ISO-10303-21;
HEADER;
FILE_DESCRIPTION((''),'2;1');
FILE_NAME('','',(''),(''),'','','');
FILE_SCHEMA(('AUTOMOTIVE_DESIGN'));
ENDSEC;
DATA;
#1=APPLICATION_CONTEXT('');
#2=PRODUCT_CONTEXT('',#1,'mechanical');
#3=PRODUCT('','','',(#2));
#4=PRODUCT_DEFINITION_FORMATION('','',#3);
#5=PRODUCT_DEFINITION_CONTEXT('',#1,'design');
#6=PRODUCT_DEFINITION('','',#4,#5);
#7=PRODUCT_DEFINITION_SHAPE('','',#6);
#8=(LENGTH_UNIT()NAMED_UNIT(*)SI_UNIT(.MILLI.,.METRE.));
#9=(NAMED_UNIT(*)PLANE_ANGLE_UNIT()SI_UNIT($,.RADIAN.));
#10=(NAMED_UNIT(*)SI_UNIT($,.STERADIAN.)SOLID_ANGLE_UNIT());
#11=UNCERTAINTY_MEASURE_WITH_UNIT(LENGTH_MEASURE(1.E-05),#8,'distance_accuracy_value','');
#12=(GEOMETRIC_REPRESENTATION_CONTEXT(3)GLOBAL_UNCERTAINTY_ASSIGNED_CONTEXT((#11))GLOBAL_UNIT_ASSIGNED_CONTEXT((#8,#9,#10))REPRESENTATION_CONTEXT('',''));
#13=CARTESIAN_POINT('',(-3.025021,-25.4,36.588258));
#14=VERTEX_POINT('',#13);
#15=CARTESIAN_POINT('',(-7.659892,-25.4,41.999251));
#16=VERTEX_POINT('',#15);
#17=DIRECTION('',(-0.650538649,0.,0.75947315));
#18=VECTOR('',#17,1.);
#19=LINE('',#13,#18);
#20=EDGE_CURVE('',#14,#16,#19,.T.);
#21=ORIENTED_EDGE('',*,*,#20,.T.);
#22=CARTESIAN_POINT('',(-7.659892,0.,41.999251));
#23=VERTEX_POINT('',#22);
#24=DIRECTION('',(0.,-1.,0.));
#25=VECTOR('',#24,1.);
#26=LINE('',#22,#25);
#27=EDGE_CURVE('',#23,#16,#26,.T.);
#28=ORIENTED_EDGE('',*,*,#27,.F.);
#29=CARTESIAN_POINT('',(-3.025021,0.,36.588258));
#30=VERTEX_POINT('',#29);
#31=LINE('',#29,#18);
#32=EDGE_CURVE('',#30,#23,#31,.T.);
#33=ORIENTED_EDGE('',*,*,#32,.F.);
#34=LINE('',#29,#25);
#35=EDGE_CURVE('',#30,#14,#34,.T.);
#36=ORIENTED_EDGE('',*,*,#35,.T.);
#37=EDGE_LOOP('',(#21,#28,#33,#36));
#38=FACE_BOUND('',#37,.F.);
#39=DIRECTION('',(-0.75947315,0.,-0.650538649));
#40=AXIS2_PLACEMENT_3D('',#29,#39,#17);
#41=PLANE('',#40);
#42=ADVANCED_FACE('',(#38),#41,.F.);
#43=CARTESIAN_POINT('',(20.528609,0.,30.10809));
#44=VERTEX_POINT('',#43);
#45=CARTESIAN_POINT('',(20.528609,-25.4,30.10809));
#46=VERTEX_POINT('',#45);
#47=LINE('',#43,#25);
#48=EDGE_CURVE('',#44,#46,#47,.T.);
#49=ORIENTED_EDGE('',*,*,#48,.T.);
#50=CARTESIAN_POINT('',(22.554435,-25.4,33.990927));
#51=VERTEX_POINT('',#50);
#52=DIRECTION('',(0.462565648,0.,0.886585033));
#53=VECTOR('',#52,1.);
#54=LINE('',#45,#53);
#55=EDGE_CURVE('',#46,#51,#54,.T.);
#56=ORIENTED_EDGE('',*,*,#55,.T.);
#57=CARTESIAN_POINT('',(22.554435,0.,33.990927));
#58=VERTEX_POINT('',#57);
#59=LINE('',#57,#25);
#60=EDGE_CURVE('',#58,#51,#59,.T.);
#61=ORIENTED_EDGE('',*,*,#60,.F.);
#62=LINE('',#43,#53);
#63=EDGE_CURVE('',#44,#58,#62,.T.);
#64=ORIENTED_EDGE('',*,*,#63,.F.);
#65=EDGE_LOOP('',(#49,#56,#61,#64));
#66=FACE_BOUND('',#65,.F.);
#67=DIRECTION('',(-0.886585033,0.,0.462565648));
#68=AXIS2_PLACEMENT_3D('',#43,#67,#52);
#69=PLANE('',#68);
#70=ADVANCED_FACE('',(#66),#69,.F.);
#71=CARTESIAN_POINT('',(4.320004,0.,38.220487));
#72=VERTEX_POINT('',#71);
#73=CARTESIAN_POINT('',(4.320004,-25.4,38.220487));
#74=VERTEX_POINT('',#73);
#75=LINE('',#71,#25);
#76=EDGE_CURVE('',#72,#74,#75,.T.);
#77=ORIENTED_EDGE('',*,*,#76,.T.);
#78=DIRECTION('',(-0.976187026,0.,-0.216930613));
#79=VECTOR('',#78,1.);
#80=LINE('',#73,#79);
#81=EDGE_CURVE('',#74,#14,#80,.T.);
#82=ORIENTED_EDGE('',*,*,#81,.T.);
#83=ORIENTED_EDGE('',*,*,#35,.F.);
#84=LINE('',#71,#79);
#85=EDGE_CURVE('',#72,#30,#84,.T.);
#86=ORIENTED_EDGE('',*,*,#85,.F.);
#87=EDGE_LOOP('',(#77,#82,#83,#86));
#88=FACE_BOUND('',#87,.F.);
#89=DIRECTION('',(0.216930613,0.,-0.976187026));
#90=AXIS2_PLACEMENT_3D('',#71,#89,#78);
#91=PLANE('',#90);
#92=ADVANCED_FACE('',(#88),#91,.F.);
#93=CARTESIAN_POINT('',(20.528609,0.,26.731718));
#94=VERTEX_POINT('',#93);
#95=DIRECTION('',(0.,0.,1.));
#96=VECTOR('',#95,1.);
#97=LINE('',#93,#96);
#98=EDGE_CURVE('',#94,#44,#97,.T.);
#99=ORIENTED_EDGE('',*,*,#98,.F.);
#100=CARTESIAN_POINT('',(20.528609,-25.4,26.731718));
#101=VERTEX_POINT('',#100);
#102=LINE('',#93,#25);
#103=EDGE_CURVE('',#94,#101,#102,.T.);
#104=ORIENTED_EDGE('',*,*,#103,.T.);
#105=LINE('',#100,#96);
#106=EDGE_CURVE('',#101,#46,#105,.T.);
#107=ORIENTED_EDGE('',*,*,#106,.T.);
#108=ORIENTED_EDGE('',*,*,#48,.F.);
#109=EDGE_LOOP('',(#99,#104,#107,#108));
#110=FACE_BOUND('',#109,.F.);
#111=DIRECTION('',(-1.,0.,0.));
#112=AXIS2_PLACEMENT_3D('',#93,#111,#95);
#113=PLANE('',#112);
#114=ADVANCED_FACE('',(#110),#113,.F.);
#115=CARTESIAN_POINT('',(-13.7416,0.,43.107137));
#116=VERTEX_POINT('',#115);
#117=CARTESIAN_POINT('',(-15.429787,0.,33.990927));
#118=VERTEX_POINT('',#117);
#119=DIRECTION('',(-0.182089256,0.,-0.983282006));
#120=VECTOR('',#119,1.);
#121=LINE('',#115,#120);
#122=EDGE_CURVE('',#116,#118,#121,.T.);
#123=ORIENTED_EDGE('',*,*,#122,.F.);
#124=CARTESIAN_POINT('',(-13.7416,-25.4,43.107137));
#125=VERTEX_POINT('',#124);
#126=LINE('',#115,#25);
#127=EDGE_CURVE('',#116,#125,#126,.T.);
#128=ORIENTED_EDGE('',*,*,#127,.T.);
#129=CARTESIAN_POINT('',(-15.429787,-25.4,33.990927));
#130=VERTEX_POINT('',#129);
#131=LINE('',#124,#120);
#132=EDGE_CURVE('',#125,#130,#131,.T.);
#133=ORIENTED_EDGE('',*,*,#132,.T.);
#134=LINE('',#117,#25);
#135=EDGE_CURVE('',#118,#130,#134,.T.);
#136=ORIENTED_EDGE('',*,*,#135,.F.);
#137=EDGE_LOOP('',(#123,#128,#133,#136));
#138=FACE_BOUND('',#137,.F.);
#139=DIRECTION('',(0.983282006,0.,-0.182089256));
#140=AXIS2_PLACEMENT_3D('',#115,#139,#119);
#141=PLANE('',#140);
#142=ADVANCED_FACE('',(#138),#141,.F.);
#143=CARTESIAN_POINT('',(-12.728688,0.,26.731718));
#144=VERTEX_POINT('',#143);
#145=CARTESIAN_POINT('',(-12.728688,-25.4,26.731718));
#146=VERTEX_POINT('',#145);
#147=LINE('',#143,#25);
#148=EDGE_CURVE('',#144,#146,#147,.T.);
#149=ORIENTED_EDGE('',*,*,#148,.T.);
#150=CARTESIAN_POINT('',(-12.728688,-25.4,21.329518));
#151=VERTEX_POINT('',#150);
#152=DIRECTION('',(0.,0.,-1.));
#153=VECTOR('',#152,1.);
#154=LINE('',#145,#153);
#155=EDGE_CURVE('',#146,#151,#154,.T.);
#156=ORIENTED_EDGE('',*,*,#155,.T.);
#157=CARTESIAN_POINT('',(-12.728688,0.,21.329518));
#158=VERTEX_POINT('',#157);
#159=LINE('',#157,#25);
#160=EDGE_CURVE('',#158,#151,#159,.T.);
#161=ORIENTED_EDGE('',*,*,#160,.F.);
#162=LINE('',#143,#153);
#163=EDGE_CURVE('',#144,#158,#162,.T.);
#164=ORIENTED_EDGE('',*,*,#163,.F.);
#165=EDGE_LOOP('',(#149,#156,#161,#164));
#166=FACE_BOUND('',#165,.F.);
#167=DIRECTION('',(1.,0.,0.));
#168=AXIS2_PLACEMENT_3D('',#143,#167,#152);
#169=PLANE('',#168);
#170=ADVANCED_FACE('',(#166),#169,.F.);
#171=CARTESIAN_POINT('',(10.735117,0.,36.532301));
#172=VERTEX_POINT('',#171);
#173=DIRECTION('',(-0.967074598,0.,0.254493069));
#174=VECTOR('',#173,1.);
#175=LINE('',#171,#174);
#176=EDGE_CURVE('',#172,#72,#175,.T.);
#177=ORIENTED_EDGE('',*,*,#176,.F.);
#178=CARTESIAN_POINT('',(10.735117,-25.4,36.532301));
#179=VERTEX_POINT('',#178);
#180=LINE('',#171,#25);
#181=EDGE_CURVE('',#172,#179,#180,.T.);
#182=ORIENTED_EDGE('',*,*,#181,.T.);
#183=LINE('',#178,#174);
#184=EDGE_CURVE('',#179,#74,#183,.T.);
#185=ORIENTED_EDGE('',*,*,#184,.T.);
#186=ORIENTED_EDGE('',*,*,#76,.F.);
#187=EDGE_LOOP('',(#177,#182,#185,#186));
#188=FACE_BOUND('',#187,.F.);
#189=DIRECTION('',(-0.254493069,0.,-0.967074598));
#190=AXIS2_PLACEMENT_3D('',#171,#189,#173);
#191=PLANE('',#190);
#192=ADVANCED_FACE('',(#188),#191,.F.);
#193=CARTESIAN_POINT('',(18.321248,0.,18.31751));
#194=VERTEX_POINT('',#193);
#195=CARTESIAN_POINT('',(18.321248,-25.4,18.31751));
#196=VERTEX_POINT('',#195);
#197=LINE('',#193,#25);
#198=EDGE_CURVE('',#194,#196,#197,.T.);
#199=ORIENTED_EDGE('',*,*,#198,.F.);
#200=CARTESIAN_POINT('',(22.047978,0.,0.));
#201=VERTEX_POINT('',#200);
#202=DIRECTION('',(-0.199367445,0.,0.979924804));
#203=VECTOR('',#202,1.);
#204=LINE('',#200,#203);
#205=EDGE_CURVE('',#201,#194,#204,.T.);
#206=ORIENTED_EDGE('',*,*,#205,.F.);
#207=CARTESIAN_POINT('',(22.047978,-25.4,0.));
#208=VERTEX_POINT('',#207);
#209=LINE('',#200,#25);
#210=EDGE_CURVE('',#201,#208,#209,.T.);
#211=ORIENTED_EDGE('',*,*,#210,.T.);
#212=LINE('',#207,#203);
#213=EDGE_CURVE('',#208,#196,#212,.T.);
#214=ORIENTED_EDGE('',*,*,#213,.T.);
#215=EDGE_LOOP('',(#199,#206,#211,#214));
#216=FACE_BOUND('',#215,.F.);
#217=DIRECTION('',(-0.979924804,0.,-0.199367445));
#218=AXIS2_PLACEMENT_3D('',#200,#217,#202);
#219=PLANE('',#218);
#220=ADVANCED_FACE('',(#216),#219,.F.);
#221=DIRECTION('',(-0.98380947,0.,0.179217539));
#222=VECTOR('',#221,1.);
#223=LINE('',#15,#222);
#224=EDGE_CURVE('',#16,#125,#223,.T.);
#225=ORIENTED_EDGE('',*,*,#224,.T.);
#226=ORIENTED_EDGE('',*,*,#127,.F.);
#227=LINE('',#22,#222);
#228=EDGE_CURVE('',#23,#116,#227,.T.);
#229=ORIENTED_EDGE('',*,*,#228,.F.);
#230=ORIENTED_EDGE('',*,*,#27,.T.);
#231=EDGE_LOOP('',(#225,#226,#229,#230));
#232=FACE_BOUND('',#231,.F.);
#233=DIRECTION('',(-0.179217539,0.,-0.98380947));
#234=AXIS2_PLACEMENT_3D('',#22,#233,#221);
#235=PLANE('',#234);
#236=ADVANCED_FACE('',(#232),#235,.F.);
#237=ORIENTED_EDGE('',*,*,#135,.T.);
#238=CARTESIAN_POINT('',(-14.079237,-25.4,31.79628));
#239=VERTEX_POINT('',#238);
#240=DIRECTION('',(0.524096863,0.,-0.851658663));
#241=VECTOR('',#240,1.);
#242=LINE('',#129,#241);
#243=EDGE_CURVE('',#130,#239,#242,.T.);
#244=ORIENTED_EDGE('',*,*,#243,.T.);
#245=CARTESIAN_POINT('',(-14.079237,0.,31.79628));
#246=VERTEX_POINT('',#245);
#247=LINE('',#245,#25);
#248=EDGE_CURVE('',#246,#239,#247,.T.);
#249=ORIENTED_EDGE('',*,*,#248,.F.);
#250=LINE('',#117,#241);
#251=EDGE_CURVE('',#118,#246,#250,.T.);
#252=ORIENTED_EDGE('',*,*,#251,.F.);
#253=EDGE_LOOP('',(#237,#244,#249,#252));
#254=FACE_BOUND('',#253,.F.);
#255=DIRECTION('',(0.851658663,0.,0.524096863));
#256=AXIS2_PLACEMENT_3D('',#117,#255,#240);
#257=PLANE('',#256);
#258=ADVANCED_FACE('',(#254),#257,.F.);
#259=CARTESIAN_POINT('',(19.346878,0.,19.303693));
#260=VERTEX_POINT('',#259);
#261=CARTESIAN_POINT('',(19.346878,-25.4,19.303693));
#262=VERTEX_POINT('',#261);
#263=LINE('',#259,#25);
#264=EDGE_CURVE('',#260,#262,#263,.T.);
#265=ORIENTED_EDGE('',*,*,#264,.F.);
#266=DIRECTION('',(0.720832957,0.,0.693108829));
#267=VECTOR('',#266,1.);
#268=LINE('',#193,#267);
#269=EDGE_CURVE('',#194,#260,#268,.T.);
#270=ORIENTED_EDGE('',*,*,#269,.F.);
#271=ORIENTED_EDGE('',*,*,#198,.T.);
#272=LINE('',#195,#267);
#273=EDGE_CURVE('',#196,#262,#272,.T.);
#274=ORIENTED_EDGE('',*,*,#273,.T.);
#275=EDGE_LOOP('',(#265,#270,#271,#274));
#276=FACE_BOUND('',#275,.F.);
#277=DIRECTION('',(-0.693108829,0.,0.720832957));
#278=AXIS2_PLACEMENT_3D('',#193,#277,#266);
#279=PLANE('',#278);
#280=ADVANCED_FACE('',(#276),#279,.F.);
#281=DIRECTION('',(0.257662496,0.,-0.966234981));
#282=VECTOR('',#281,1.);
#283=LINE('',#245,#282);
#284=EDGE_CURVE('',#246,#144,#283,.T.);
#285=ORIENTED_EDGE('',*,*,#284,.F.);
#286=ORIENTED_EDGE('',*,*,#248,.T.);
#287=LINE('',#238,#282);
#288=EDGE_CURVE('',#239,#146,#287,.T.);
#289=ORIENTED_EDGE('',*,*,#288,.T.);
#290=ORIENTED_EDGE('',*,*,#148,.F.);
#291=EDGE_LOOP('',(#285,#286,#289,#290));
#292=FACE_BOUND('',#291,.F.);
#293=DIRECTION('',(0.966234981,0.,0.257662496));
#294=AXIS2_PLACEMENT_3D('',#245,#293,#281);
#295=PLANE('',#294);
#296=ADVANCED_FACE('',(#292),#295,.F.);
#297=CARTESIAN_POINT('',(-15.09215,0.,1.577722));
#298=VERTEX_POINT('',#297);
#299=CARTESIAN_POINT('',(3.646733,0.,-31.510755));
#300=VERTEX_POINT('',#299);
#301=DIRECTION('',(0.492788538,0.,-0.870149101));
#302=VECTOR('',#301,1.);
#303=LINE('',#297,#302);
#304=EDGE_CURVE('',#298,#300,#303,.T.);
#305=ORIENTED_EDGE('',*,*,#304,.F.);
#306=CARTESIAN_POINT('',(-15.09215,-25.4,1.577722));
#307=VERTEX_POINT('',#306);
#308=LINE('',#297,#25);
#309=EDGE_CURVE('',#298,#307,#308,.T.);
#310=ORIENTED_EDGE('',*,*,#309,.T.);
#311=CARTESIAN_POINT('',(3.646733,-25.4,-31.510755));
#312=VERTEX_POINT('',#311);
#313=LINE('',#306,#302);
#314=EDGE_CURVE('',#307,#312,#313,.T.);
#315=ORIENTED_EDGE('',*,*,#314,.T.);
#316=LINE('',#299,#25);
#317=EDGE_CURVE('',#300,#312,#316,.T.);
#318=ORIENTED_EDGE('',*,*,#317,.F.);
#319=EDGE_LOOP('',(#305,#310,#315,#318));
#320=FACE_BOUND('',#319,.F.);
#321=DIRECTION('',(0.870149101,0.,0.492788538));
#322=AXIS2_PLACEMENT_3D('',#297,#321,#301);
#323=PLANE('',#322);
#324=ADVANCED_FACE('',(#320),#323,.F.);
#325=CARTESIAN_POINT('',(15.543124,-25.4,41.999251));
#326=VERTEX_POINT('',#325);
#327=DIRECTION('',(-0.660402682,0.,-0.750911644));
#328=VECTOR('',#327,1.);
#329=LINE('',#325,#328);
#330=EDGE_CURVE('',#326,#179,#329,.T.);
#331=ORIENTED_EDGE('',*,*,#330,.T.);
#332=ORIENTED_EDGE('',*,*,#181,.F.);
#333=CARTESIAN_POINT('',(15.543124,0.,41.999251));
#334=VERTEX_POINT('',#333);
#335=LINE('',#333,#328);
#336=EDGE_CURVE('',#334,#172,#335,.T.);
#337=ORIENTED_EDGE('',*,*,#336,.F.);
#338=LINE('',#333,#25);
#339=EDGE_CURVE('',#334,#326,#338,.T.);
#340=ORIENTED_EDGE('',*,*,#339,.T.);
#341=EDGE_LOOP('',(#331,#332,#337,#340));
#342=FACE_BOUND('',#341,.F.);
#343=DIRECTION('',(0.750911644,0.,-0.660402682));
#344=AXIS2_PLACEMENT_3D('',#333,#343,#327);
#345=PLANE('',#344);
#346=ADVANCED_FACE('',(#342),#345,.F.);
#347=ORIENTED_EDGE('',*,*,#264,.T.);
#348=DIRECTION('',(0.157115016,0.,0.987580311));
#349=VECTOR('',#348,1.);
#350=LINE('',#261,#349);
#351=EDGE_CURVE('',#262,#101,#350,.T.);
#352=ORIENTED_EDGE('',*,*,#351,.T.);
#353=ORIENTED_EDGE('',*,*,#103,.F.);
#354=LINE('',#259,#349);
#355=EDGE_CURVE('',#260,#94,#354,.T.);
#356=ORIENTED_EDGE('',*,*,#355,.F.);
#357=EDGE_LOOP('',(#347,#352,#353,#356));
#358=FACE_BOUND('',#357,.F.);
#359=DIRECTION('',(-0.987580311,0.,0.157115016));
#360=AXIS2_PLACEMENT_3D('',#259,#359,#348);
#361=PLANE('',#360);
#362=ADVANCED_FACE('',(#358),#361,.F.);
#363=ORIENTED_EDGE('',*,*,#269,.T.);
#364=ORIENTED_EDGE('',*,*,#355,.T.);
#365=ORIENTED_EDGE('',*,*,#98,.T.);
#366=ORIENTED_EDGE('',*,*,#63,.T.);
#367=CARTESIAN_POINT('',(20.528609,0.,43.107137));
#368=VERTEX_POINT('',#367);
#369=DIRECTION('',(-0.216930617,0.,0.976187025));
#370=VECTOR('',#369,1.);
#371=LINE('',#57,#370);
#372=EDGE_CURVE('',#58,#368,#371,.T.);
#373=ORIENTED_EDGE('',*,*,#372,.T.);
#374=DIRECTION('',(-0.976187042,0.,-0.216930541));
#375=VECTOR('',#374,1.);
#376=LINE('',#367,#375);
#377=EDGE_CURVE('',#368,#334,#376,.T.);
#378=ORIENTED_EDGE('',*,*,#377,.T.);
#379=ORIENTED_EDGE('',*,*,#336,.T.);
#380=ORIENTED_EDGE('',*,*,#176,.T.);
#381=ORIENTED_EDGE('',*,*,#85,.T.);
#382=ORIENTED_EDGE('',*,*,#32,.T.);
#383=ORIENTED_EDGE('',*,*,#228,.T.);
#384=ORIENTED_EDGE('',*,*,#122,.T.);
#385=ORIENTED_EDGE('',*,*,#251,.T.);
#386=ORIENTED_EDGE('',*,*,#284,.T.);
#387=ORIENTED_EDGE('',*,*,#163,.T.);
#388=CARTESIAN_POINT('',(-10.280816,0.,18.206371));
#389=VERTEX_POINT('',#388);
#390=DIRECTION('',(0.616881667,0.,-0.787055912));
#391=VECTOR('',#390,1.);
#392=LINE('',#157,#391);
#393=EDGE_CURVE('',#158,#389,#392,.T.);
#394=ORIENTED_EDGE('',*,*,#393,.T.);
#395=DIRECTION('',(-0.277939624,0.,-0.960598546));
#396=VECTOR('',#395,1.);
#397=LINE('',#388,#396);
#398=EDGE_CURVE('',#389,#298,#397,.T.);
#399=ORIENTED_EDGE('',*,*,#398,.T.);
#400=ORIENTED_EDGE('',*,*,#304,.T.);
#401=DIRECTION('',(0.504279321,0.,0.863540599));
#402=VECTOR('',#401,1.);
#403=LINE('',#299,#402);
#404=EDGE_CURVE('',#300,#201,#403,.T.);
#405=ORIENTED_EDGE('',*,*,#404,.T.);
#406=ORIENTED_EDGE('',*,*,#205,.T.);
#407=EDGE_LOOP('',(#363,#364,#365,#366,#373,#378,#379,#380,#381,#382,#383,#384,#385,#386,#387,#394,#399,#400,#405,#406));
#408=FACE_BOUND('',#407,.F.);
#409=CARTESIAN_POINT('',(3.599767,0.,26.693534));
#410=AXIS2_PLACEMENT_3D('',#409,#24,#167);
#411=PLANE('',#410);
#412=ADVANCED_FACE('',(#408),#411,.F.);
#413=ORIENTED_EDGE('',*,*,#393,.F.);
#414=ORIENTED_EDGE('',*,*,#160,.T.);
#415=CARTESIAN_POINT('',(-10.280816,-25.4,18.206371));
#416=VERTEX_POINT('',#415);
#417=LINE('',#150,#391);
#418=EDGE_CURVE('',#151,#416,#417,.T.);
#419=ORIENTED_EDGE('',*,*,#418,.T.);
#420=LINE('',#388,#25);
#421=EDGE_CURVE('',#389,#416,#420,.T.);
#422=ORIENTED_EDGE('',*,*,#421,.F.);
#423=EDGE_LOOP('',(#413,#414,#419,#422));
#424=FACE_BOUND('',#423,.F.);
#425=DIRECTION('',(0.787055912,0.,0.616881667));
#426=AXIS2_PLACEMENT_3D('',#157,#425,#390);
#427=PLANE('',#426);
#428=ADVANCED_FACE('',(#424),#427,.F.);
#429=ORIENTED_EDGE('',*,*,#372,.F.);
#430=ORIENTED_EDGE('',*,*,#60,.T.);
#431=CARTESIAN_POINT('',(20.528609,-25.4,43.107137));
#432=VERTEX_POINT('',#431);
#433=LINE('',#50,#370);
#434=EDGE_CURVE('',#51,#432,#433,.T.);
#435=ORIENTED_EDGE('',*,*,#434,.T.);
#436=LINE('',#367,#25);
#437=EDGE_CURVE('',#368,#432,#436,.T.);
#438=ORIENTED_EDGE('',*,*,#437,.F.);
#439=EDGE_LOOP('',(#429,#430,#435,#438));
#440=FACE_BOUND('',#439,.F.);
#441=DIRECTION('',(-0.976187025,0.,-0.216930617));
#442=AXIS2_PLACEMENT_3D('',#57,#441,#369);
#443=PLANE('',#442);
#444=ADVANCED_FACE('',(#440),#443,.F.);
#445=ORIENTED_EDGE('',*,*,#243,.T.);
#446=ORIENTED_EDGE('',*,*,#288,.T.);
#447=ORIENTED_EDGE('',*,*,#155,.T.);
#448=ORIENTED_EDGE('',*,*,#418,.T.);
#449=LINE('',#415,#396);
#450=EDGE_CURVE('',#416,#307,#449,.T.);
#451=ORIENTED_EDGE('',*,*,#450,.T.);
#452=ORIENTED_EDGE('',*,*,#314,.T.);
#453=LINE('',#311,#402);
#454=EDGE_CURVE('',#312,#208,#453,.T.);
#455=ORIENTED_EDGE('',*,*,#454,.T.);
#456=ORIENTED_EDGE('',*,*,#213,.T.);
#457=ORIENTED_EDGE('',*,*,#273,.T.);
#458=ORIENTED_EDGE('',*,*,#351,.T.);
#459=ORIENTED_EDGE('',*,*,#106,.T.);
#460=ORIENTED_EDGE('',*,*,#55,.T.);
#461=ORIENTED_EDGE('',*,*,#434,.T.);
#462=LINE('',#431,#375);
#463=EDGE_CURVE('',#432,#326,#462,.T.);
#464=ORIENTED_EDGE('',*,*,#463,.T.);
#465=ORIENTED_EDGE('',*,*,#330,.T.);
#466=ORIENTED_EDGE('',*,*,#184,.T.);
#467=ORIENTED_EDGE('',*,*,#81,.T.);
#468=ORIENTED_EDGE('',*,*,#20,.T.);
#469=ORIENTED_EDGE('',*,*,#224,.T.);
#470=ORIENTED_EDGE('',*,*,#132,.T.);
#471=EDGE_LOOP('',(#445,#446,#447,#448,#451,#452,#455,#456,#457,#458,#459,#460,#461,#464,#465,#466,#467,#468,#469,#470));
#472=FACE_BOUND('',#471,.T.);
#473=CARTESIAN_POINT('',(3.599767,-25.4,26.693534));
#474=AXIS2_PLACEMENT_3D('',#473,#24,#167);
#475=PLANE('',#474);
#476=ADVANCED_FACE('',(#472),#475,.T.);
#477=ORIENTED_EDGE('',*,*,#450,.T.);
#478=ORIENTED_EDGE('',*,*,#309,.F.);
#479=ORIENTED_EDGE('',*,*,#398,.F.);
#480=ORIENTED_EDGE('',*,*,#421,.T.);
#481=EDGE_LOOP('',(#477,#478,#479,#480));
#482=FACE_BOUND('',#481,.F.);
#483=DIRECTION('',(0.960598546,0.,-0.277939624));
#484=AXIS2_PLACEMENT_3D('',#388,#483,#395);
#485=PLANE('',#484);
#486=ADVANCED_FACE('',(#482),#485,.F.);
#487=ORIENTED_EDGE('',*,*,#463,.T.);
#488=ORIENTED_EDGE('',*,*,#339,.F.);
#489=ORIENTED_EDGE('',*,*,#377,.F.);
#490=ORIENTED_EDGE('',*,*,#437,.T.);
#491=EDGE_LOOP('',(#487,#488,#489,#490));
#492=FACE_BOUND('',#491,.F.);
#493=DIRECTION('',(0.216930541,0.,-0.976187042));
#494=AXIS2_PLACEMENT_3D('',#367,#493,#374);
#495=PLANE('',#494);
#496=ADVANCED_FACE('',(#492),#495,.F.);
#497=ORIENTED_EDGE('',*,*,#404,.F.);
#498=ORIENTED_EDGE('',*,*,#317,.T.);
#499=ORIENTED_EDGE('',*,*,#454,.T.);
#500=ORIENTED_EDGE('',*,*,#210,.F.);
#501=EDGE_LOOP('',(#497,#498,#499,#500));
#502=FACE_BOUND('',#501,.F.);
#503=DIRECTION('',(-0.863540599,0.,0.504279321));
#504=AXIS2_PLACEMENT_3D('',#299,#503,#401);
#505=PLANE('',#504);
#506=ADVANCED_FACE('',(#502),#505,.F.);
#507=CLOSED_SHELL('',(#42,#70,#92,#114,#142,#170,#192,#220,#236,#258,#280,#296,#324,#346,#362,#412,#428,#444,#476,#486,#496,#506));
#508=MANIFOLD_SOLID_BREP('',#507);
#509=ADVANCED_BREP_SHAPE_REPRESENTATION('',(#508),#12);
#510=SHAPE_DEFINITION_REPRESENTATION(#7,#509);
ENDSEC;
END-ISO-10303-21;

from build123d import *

# Parameters (mm, degrees)
F1_DEPTH = 25.4


with BuildPart() as f1:
    # F0 (on Front) → F1 (new body)
    with BuildSketch(Plane.XZ):
        Polygon((-7.659892, 41.999251), (-13.7416, 43.107137), (-15.429787, 33.990927), (-14.079237, 31.79628), (-12.728688, 26.731718), (-12.728688, 25.212349), (-12.728688, 21.329518), (-10.280816, 18.206371), (-7.832943, 15.083224), (-4.794206, 9.343385), (-1.586649, 5.460554), (3.646733, 4.110004), (7.023108, 4.110004), (10.905939, 7.824017), (14.95759, 15.083224), (18.321248, 18.31751), (19.346878, 19.303693), (20.528609, 26.731718), (20.528609, 30.10809), (22.554435, 33.990927), (20.528609, 43.107137), (15.543124, 41.999251), (10.735117, 36.532301), (4.320004, 38.220487), (-3.025021, 36.588258), align=None)
        Polygon((-7.832943, 15.083224), (-10.280816, 18.206371), (-15.09215, 1.577722), (3.646733, -31.510755), (22.047978, 0), (18.321248, 18.31751), (14.95759, 15.083224), (10.905939, 7.824017), (7.023108, 4.110004), (3.646733, 4.110004), (-1.586649, 5.460554), (-4.794206, 9.343385), align=None)
    extrude(amount=F1_DEPTH)


solid = f1.part
